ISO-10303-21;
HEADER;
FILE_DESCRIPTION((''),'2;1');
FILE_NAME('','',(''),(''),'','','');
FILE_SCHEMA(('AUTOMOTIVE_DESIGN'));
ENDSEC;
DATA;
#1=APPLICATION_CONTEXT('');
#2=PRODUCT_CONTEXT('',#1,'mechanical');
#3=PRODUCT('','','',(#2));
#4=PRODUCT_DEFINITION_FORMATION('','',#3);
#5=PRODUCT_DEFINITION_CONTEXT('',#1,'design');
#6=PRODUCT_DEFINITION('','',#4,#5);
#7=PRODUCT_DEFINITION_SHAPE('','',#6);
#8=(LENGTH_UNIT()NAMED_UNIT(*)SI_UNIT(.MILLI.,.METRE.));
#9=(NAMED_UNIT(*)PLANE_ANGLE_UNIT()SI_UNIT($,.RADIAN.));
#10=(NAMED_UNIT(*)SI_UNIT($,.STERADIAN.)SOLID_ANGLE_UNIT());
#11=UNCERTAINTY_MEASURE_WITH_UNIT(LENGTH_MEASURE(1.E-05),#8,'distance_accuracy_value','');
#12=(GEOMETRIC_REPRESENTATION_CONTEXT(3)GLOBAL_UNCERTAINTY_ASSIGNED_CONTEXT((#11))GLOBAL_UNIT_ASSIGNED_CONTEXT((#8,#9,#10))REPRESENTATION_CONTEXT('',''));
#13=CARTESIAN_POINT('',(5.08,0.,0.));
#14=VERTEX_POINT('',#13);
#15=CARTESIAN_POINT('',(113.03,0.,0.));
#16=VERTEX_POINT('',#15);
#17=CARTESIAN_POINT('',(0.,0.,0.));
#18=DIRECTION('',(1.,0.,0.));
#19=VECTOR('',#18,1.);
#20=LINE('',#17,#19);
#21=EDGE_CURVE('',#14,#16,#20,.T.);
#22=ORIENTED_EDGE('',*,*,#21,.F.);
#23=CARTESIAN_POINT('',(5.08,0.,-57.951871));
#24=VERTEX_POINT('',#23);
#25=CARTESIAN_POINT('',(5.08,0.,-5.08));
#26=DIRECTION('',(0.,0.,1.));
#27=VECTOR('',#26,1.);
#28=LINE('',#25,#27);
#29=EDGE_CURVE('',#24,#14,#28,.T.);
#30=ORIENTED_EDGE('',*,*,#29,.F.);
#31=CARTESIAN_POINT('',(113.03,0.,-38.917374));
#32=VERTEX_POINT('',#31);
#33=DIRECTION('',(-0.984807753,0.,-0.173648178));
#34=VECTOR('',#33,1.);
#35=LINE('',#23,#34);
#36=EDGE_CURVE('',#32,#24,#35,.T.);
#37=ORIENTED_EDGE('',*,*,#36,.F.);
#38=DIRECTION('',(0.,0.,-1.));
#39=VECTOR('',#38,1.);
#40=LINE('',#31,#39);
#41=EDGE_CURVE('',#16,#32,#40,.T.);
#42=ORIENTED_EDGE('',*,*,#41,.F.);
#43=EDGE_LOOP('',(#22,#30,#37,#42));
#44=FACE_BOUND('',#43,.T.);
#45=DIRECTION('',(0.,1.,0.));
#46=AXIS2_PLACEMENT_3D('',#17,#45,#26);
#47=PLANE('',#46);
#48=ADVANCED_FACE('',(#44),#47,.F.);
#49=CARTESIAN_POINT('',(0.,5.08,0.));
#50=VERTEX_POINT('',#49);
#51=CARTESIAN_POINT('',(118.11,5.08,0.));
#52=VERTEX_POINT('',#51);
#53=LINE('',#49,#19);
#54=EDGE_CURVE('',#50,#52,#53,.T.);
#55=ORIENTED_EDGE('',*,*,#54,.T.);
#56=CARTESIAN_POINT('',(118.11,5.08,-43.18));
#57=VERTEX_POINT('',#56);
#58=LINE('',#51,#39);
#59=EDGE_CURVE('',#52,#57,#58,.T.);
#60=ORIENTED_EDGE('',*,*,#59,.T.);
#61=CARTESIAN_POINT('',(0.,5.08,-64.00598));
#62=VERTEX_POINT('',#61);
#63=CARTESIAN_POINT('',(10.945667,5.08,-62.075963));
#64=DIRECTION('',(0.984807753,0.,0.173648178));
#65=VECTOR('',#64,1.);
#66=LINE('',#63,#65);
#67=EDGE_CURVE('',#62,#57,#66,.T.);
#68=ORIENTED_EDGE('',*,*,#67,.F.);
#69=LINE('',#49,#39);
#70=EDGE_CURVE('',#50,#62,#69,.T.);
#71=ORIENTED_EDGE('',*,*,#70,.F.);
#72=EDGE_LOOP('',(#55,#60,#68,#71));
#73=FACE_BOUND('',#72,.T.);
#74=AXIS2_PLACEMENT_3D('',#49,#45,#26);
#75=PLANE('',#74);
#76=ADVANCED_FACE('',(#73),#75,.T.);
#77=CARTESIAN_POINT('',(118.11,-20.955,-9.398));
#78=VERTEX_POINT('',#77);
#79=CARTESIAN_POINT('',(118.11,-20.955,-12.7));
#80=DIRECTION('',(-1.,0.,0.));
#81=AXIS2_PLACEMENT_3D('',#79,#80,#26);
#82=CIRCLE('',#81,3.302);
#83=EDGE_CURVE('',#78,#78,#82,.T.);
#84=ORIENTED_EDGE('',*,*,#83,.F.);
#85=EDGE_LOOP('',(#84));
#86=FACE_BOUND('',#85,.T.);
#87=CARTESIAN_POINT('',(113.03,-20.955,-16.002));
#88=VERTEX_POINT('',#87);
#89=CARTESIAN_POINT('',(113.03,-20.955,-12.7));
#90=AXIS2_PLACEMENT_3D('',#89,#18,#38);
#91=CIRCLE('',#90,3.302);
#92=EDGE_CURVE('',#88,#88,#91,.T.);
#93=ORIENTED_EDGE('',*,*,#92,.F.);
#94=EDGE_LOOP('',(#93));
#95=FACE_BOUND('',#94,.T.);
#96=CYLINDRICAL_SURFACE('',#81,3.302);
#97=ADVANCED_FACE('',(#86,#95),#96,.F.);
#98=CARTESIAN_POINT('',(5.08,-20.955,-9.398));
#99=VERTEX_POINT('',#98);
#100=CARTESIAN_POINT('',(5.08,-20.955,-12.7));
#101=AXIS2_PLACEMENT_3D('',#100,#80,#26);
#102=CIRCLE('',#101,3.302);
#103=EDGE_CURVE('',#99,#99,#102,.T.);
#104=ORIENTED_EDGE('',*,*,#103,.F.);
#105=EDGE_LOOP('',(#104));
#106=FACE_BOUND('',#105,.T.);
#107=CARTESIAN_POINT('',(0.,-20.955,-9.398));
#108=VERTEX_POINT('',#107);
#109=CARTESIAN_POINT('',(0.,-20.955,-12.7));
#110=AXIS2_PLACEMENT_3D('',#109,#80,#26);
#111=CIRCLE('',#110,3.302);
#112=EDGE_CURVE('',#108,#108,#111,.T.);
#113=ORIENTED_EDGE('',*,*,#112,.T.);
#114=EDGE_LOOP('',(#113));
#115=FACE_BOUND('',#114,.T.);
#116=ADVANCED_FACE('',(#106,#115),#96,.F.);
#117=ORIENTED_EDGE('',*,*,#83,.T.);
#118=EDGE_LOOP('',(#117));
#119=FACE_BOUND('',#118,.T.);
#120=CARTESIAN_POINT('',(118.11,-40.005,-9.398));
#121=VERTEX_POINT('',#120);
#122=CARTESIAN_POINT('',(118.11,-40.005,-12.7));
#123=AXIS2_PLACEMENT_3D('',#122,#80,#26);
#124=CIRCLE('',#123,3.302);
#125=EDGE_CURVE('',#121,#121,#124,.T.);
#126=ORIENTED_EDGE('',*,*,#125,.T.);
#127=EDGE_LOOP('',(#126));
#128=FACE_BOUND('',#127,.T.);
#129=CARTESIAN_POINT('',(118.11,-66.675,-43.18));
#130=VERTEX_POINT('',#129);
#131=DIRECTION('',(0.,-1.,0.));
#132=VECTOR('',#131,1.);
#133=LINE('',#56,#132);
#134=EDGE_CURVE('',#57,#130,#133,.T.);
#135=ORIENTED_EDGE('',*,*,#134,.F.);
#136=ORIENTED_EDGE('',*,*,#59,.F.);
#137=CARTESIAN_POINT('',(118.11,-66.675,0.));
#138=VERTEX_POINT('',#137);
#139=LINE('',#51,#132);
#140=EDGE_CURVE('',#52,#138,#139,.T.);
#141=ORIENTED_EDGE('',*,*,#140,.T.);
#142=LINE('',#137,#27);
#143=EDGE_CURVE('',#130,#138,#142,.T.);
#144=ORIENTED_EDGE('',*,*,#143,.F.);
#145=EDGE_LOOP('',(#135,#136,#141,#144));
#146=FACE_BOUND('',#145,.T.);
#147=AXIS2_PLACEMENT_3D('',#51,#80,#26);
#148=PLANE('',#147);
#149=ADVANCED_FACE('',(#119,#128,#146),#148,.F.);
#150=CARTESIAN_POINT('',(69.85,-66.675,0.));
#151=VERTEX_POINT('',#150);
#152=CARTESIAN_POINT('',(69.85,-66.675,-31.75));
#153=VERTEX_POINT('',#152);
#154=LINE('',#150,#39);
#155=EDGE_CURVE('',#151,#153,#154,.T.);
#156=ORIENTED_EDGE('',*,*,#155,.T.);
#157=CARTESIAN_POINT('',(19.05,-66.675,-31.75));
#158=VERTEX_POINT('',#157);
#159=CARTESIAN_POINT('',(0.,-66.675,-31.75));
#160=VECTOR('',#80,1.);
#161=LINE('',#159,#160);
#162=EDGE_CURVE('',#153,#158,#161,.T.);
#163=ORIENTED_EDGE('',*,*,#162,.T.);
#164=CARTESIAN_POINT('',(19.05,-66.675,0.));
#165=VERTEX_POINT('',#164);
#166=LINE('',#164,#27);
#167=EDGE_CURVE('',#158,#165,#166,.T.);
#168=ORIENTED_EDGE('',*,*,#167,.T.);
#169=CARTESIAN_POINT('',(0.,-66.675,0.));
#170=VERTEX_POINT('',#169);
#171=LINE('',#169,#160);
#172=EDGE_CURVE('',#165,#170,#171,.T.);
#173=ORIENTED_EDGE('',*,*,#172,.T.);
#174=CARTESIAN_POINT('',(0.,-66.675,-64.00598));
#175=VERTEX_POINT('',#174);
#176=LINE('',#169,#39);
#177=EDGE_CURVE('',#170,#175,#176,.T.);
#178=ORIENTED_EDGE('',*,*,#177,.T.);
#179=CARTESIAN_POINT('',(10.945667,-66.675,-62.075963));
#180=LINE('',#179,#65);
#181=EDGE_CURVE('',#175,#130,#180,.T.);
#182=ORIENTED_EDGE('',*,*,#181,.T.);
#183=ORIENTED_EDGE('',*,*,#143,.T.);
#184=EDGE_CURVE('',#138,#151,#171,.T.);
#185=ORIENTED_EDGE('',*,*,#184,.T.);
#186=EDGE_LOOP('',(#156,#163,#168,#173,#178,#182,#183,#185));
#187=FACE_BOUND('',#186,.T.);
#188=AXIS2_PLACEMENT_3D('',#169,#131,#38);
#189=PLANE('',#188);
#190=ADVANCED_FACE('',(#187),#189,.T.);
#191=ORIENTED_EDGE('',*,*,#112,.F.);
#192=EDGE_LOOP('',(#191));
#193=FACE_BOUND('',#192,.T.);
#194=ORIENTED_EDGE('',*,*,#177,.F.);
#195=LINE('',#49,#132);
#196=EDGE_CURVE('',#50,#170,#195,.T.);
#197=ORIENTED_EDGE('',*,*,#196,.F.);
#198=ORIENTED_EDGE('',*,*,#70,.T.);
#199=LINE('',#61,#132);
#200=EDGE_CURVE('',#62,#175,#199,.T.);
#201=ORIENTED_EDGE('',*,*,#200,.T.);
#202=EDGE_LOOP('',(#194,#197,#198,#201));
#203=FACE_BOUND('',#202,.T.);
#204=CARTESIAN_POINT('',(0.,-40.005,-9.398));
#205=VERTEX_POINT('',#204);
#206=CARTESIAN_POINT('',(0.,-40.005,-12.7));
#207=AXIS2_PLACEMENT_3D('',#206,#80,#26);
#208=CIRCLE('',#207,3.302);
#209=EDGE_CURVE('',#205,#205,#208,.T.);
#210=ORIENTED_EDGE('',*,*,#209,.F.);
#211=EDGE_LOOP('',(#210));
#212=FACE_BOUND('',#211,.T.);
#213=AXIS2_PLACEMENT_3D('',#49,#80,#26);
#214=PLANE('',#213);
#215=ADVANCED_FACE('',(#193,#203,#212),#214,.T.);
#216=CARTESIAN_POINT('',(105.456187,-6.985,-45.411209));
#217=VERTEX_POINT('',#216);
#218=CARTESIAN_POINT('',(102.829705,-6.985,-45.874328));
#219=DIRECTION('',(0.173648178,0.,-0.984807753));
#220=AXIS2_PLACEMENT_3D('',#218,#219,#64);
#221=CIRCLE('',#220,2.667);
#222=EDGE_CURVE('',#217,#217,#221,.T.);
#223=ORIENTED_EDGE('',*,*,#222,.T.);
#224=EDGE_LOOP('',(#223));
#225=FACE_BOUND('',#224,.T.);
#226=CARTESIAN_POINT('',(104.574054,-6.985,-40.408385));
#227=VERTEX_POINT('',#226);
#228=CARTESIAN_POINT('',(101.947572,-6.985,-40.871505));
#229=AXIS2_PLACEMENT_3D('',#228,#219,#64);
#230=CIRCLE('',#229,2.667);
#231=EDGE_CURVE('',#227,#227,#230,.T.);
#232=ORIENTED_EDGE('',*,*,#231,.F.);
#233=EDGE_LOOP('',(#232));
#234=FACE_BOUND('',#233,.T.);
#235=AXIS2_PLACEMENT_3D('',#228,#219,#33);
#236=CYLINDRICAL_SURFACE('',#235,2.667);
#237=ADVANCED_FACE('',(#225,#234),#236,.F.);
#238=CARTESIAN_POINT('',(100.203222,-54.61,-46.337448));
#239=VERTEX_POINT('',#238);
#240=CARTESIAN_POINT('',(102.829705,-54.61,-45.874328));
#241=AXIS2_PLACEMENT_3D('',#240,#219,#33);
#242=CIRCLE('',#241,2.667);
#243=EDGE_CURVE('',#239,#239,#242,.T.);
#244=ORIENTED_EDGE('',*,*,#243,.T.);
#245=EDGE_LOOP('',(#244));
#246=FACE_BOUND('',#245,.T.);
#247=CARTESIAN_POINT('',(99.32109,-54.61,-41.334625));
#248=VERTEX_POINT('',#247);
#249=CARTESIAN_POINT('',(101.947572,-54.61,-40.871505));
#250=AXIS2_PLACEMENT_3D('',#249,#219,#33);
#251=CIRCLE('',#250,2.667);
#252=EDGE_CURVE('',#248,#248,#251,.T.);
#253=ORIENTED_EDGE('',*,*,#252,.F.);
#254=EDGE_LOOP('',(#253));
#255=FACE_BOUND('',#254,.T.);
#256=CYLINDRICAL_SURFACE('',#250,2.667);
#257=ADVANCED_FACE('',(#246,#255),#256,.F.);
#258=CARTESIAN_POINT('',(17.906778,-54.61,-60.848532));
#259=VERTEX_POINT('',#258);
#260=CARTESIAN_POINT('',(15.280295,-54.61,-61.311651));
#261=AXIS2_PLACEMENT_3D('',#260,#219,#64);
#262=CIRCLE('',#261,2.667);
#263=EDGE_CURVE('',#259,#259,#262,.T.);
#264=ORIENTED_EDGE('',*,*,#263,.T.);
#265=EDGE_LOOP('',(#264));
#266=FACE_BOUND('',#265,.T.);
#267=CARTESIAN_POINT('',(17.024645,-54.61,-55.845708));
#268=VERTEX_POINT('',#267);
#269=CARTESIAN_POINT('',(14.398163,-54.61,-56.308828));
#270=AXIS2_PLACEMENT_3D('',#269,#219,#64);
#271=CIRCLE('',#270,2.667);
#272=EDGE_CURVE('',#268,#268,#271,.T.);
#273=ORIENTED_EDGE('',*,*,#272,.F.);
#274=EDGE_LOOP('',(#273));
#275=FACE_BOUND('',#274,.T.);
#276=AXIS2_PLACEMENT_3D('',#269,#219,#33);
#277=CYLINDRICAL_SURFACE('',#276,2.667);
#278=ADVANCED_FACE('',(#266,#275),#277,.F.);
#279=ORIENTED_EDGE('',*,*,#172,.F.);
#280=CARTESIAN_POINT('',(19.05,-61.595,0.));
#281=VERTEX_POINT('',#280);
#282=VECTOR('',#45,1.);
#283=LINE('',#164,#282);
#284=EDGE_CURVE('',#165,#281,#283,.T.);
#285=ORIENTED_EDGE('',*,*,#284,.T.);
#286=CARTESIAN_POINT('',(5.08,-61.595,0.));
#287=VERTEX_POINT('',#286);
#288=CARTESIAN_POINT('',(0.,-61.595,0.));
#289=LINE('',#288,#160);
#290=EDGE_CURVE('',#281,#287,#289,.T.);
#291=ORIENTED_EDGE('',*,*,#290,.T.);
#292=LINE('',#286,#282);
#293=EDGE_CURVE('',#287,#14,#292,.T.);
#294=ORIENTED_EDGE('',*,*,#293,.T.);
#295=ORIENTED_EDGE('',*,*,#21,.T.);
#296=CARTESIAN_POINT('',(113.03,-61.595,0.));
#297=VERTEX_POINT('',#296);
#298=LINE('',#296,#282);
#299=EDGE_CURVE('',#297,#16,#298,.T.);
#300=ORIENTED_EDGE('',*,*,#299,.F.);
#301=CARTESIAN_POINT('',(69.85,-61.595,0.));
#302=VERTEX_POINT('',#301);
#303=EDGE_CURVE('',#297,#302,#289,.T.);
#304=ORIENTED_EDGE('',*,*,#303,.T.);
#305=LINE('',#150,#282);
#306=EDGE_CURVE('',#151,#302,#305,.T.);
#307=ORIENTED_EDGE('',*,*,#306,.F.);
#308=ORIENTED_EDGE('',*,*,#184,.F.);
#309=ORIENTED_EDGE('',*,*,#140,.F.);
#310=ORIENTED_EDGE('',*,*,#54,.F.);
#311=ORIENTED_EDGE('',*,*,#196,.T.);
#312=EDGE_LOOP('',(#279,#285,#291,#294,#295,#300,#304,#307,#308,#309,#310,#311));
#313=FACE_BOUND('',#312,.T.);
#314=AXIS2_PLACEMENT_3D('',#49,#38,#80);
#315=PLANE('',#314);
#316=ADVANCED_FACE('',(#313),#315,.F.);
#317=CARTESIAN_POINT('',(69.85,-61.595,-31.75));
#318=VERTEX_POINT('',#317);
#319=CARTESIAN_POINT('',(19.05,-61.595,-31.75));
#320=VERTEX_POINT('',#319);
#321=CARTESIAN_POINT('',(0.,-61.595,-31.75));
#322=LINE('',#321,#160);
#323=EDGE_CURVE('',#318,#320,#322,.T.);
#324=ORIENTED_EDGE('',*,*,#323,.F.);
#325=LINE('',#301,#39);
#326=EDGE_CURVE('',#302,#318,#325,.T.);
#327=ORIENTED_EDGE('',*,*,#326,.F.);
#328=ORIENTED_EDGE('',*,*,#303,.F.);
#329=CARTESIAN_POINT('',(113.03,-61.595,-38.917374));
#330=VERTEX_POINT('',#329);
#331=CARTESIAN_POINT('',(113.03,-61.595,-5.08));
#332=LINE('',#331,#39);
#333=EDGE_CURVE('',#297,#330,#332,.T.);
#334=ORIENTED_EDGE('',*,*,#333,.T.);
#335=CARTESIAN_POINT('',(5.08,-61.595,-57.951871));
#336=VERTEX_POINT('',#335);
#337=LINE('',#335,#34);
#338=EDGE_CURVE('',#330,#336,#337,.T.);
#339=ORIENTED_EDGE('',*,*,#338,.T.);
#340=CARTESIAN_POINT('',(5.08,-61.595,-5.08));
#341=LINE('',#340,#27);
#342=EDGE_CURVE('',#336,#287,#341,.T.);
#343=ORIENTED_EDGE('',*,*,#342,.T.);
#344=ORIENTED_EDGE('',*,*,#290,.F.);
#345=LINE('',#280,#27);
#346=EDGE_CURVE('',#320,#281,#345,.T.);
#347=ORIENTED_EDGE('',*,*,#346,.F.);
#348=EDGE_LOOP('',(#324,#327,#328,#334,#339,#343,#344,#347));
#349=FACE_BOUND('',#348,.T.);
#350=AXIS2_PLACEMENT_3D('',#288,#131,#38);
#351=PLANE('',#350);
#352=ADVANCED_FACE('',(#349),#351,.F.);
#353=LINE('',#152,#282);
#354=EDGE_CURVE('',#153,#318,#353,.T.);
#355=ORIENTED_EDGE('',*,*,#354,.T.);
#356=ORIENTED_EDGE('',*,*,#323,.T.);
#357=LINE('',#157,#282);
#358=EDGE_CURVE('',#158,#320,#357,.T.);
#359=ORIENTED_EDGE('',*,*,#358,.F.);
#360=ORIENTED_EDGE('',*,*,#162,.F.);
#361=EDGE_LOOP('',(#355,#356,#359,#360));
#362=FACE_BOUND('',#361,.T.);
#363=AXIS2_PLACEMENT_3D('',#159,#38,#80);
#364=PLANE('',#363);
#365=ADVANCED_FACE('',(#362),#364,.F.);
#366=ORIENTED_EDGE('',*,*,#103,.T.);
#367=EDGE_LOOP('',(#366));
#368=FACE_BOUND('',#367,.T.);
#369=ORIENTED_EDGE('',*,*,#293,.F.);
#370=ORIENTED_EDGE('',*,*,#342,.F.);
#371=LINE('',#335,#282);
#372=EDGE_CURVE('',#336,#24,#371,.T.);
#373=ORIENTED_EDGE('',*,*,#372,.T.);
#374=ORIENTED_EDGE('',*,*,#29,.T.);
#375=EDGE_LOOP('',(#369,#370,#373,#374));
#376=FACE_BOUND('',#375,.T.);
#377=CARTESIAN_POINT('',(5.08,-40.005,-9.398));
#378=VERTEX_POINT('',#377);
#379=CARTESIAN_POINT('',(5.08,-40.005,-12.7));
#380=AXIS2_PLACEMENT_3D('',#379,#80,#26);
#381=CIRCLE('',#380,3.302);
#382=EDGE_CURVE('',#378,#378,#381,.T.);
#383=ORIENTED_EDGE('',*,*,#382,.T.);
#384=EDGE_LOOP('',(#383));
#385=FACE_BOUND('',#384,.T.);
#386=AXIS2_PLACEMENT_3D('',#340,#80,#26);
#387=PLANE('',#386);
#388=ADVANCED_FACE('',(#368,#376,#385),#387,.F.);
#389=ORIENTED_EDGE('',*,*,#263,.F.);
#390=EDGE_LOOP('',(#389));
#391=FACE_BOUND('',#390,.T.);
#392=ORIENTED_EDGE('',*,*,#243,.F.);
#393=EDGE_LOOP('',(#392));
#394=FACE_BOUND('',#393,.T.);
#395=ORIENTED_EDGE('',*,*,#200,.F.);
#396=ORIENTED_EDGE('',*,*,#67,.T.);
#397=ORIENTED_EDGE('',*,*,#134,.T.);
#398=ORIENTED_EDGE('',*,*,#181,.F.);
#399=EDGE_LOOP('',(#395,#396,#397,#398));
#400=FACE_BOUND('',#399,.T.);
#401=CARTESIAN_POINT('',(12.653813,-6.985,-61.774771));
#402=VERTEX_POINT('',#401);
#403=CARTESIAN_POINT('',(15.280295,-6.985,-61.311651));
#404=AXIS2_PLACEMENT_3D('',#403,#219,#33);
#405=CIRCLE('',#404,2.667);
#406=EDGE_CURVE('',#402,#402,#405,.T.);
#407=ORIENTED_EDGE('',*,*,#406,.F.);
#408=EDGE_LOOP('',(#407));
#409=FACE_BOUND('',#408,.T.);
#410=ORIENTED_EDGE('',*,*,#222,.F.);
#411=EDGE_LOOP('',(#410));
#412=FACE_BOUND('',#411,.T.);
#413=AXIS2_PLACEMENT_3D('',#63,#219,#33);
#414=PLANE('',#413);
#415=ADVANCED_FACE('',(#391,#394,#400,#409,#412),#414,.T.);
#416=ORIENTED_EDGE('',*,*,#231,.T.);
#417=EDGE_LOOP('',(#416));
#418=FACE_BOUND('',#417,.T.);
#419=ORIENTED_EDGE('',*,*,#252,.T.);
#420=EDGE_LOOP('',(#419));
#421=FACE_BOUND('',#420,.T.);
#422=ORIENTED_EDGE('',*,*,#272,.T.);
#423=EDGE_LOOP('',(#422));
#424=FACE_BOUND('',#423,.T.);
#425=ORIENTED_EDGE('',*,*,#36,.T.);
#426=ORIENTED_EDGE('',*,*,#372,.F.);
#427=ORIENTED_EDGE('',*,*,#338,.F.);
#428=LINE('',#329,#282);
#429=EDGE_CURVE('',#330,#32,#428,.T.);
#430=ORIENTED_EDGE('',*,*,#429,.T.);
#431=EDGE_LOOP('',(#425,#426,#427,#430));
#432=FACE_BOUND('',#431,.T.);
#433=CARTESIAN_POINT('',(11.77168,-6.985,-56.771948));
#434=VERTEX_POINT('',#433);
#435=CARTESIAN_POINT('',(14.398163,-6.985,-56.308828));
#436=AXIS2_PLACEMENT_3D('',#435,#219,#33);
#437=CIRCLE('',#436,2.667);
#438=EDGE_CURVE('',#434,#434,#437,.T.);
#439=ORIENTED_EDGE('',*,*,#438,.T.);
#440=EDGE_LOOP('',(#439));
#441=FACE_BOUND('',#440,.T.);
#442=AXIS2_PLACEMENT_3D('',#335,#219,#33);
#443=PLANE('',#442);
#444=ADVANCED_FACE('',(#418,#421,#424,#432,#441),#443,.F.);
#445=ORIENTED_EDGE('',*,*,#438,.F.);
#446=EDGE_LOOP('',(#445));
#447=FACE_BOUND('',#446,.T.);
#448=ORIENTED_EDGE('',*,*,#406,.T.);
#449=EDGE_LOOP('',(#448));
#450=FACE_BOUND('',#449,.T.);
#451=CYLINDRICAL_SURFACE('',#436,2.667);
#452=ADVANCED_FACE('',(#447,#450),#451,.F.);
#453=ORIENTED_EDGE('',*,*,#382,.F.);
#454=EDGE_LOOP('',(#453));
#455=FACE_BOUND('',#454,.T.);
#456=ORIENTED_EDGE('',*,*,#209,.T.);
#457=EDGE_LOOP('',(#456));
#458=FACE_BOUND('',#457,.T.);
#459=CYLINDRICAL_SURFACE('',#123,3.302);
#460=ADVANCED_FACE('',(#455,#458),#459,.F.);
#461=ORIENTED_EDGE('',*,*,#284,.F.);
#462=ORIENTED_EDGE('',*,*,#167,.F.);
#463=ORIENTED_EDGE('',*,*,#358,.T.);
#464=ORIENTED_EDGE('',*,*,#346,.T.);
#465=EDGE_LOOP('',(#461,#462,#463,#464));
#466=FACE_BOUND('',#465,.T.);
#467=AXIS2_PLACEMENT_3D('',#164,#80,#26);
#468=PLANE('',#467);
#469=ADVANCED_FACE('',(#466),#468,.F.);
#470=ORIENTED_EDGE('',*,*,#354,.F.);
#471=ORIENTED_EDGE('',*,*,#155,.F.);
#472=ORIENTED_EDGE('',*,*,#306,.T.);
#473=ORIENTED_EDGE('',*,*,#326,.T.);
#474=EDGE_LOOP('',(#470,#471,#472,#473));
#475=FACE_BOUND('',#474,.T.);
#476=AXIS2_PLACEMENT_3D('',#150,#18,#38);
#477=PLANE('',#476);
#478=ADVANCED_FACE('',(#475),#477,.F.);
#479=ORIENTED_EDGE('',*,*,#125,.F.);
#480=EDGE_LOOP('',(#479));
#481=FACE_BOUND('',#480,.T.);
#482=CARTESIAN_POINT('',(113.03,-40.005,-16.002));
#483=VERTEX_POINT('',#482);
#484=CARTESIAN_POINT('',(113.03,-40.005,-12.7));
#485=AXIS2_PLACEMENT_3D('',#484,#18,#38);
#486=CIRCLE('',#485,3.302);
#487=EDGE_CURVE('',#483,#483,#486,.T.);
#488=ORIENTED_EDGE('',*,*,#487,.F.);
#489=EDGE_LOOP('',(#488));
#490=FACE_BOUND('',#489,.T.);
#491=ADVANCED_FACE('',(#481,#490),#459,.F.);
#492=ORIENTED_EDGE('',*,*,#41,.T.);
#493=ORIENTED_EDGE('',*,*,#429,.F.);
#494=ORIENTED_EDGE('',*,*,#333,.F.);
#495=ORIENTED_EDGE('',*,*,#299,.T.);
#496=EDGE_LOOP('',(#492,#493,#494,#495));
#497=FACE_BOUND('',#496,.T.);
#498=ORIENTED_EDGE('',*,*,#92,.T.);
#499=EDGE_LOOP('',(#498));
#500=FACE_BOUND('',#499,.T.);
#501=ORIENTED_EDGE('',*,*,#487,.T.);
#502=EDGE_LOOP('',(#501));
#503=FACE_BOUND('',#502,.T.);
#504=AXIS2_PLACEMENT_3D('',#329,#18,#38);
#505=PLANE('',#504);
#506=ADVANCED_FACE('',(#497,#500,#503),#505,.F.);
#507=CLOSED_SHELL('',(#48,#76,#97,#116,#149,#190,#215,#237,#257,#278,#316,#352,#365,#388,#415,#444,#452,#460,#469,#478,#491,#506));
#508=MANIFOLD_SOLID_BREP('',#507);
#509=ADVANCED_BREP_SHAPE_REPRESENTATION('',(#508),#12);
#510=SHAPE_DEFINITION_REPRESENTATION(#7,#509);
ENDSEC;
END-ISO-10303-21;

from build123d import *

# Parameters (mm, degrees)
BOSS_EXTRUDE1_DEPTH = 5.08
BOSS_EXTRUDE2_DEPTH = 61.595
BOSS_EXTRUDE3_DEPTH = 5.08
SKETCH4_R           = 3.302
CUT_EXTRUDE1_DEPTH  = 150.974308337
SKETCH5_R           = 2.667
CUT_EXTRUDE2_DEPTH  = 5.08


with BuildPart() as part:
    # Sketch1 → Boss-Extrude1 (new body)
    with BuildSketch(Plane(origin=(0, 0, 0), x_dir=(1, 0, 0), z_dir=(0, 1, 0))):
        Polygon((0, 64.005979691), (0, 43.18), (0, 0), (118.11, 0), (118.11, 43.18), align=None)
    extrude(amount=BOSS_EXTRUDE1_DEPTH)

    # Sketch2 → Boss-Extrude2 (add)
    with BuildSketch(Plane.XZ):
        Polygon((5.08, -5.08), (5.08, -57.951871441), (113.03, -38.917373874), (113.03, -5.08), (113.03, 0), (118.11, 0), (118.11, -43.18), (0, -64.005979691), (0, 0), (5.08, 0), align=None)
    extrude(amount=BOSS_EXTRUDE2_DEPTH)

    # Sketch3 → Boss-Extrude3 (add)
    with BuildSketch(Plane.XZ.offset(61.595)):
        Polygon((113.03, 0), (69.85, 0), (69.85, -31.75), (19.05, -31.75), (19.05, 0), (5.08, 0), (5.08, -57.951871441), (113.03, -38.917373874), align=None)
        Polygon((0, -64.005979691), (118.11, -43.18), (118.11, 0), (113.03, 0), (113.03, -38.917373874), (5.08, -57.951871441), (5.08, 0), (0, 0), align=None)
    extrude(amount=BOSS_EXTRUDE3_DEPTH)

    # Sketch4 → Cut-Extrude1 (cut, through all)
    with BuildSketch(Plane.ZY):
        with Locations((-12.7, -20.955)):
            Circle(SKETCH4_R)
        with Locations((-12.7, -40.005)):
            Circle(SKETCH4_R)
    extrude(amount=-CUT_EXTRUDE1_DEPTH, mode=Mode.SUBTRACT)

    # Sketch5 → Cut-Extrude2 (cut)
    with BuildSketch(Plane(origin=(10.945667174, 0, -62.075963247), x_dir=(-0.9848077530122081, 0, -0.17364817766693075), z_dir=(0.17364817766693075, 0, -0.9848077530122081))):
        with Locations(Location((-93.301496832, -6.985, 0), (0, 0, 180))):
            Circle(SKETCH5_R)
        with Locations((-93.301496832, -54.61)):
            Circle(SKETCH5_R)
        with Locations((-4.401496832, -6.985)):
            Circle(SKETCH5_R)
        with Locations(Location((-4.401496832, -54.61, 0), (0, 0, 180))):
            Circle(SKETCH5_R)
    extrude(amount=-CUT_EXTRUDE2_DEPTH, mode=Mode.SUBTRACT)


solid = part.part
